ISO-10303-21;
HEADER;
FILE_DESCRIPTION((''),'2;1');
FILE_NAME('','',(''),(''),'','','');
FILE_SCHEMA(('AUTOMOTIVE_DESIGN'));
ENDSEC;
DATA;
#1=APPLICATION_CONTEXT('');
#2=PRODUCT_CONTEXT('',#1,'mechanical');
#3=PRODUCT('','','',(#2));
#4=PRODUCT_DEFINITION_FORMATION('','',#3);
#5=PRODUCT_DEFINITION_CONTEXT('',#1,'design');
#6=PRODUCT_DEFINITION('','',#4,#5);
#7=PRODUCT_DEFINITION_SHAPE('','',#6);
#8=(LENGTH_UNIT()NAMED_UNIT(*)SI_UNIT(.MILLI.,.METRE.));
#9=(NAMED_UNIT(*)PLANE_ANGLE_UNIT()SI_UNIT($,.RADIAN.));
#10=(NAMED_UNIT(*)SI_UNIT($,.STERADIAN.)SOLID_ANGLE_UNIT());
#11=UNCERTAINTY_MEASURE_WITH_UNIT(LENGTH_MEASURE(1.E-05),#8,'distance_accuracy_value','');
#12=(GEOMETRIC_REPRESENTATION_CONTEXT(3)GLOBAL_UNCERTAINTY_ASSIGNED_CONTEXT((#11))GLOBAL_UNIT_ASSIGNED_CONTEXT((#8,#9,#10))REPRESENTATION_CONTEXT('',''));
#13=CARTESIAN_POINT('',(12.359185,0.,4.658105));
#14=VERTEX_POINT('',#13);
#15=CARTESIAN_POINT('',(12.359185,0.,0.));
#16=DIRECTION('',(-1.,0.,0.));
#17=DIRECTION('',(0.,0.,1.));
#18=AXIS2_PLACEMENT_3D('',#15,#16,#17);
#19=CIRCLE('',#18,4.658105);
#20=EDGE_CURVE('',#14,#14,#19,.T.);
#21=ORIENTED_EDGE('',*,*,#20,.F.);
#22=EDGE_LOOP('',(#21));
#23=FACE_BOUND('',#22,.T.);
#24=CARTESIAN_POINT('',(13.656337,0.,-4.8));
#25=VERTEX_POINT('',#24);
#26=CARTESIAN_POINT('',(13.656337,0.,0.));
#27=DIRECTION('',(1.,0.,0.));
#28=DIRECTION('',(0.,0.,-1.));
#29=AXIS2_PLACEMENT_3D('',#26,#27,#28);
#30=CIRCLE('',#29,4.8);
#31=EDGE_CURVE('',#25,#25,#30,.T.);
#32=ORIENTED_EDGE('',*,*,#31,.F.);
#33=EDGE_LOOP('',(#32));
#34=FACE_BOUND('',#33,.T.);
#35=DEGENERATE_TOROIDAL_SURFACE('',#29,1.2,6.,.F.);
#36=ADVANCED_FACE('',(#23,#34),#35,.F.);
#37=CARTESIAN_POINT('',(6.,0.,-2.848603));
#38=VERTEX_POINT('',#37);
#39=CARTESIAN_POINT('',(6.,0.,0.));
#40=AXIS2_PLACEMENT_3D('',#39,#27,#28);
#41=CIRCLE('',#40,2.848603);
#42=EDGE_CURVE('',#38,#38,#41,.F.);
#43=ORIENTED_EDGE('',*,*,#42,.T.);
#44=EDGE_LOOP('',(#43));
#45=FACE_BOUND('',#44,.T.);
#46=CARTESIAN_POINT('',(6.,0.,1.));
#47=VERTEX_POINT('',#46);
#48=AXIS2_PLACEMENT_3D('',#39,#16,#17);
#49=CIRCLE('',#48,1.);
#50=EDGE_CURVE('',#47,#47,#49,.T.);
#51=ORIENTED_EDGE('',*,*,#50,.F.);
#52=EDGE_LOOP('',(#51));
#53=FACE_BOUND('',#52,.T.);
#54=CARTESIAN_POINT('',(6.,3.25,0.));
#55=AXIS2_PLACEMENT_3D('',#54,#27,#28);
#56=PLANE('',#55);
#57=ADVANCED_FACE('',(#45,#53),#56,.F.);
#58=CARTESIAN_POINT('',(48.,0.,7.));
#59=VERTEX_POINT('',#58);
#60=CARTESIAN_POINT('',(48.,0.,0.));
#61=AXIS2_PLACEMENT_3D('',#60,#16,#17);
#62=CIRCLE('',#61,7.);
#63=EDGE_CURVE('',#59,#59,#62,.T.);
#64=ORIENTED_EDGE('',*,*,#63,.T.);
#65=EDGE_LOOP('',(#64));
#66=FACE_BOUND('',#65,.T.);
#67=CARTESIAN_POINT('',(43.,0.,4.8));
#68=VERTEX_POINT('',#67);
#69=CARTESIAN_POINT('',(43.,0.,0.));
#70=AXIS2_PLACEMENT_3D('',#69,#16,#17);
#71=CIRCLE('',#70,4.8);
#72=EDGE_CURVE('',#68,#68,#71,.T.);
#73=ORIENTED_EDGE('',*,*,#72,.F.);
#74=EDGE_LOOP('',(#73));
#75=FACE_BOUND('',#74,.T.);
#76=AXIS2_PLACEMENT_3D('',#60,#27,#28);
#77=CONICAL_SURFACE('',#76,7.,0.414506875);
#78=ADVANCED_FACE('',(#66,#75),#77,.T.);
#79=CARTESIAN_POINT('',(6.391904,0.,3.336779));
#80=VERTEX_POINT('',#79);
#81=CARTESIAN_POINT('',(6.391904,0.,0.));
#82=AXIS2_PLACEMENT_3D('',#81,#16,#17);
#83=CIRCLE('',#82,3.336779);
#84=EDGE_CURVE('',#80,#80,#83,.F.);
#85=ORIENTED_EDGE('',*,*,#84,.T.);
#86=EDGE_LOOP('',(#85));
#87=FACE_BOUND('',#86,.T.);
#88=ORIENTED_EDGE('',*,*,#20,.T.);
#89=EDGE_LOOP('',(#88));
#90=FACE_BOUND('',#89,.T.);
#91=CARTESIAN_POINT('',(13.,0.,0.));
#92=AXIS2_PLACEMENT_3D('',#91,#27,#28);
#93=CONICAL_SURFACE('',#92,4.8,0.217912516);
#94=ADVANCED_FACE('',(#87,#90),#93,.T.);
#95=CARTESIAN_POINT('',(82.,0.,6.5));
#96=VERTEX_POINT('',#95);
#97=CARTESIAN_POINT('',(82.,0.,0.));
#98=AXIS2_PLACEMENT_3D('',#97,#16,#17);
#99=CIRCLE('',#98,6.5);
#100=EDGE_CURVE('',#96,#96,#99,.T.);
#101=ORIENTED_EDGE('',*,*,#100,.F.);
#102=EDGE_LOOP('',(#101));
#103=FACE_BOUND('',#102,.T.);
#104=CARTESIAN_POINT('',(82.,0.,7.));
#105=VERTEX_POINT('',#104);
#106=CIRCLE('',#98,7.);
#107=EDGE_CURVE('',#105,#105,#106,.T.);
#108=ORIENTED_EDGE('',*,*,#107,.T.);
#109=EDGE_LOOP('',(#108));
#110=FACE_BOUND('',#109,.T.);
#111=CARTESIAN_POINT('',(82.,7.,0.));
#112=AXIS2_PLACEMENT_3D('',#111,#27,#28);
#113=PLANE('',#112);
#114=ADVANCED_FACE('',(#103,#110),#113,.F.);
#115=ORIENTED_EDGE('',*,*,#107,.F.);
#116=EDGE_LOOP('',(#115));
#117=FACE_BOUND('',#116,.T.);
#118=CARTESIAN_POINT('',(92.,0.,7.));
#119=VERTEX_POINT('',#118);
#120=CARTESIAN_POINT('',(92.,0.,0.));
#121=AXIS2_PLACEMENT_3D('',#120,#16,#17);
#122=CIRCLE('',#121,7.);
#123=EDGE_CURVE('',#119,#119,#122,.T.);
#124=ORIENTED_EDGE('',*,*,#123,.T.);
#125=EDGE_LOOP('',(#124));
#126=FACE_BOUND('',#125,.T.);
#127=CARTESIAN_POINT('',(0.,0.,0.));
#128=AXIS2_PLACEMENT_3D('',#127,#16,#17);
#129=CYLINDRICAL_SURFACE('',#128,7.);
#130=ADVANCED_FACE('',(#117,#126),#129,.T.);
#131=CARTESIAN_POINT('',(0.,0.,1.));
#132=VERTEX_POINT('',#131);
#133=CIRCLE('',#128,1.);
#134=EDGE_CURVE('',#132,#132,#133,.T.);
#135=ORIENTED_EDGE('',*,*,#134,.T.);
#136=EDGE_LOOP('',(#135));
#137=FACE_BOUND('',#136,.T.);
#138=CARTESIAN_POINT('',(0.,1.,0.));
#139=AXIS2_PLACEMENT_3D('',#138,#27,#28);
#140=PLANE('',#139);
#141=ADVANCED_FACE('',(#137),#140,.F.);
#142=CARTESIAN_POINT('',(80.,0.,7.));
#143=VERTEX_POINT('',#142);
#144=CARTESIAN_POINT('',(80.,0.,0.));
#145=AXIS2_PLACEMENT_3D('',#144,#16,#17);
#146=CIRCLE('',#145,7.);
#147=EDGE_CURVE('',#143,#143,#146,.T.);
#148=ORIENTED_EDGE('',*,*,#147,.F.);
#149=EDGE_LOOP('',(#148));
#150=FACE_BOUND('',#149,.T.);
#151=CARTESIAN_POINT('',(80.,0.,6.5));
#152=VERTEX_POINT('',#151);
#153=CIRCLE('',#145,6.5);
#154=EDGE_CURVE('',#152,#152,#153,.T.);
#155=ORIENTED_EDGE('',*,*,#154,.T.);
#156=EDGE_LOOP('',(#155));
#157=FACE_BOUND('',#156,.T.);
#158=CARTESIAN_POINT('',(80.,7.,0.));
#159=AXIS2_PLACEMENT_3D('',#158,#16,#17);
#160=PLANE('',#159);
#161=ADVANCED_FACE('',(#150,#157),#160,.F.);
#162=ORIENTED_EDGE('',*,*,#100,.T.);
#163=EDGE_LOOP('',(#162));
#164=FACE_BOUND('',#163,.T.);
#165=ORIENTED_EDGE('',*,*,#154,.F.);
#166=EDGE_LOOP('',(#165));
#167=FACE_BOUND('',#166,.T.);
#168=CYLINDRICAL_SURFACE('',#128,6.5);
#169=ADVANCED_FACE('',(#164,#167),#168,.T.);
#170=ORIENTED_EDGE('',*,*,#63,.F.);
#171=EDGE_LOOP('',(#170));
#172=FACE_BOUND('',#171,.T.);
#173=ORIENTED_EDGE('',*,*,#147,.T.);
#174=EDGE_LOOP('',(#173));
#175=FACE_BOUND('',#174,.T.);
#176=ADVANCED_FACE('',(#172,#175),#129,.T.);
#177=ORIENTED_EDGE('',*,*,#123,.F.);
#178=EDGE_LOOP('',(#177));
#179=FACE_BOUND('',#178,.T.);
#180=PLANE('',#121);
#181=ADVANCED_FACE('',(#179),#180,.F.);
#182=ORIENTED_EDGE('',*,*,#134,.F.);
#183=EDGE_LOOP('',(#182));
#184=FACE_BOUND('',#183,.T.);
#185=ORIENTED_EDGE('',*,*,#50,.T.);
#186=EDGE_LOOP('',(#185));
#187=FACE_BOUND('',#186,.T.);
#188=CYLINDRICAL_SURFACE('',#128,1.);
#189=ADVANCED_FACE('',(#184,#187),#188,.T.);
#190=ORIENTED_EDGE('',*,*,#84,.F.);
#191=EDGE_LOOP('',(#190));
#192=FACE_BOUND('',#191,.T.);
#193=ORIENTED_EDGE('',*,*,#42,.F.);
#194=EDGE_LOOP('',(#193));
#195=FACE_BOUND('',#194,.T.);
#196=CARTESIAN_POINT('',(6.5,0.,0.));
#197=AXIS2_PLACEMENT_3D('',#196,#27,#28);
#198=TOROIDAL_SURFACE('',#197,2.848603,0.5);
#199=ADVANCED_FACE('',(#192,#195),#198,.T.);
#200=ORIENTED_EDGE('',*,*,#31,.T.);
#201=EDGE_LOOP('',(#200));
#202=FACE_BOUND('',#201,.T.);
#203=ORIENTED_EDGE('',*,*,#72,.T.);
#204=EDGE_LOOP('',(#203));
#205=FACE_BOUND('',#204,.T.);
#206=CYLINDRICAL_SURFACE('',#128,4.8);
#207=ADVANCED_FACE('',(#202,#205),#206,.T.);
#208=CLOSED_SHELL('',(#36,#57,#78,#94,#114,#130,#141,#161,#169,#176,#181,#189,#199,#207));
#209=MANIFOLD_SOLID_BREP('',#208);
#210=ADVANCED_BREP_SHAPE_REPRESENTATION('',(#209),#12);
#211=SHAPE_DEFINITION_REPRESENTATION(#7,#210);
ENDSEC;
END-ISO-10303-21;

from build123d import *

# Parameters (mm, degrees)
FILETE2_R = 0.5
FILETE4_R = 6


with BuildPart() as part:
    # Esboço1 → Revolução1 (revolve)
    with BuildSketch(Plane.XY, mode=Mode.PRIVATE) as revolu_o1_sk:
        Polygon((0, 0), (92, 0), (92, 7), (82, 7), (82, 6.5), (80, 6.5), (80, 7), (48, 7), (43, 4.8), (13, 4.8), (6, 3.25), (6, 1), (0, 1), align=None)
    revolve(revolu_o1_sk.sketch.rotate(Axis((0, 0, 0), (1, 0, 0)), 90), axis=Axis((0, 0, 0), (1, 0, 0)))

    # Filete2
    filete2_edges = [part.edges().sort_by_distance(p)[0] for p in [
        (6, 0, -3.25),
    ]]
    fillet(filete2_edges, radius=FILETE2_R)

    # Filete4
    filete4_edges = [part.edges().sort_by_distance(p)[0] for p in [
        (13, 0, -4.8),
    ]]
    fillet(filete4_edges, radius=FILETE4_R)


solid = part.part
